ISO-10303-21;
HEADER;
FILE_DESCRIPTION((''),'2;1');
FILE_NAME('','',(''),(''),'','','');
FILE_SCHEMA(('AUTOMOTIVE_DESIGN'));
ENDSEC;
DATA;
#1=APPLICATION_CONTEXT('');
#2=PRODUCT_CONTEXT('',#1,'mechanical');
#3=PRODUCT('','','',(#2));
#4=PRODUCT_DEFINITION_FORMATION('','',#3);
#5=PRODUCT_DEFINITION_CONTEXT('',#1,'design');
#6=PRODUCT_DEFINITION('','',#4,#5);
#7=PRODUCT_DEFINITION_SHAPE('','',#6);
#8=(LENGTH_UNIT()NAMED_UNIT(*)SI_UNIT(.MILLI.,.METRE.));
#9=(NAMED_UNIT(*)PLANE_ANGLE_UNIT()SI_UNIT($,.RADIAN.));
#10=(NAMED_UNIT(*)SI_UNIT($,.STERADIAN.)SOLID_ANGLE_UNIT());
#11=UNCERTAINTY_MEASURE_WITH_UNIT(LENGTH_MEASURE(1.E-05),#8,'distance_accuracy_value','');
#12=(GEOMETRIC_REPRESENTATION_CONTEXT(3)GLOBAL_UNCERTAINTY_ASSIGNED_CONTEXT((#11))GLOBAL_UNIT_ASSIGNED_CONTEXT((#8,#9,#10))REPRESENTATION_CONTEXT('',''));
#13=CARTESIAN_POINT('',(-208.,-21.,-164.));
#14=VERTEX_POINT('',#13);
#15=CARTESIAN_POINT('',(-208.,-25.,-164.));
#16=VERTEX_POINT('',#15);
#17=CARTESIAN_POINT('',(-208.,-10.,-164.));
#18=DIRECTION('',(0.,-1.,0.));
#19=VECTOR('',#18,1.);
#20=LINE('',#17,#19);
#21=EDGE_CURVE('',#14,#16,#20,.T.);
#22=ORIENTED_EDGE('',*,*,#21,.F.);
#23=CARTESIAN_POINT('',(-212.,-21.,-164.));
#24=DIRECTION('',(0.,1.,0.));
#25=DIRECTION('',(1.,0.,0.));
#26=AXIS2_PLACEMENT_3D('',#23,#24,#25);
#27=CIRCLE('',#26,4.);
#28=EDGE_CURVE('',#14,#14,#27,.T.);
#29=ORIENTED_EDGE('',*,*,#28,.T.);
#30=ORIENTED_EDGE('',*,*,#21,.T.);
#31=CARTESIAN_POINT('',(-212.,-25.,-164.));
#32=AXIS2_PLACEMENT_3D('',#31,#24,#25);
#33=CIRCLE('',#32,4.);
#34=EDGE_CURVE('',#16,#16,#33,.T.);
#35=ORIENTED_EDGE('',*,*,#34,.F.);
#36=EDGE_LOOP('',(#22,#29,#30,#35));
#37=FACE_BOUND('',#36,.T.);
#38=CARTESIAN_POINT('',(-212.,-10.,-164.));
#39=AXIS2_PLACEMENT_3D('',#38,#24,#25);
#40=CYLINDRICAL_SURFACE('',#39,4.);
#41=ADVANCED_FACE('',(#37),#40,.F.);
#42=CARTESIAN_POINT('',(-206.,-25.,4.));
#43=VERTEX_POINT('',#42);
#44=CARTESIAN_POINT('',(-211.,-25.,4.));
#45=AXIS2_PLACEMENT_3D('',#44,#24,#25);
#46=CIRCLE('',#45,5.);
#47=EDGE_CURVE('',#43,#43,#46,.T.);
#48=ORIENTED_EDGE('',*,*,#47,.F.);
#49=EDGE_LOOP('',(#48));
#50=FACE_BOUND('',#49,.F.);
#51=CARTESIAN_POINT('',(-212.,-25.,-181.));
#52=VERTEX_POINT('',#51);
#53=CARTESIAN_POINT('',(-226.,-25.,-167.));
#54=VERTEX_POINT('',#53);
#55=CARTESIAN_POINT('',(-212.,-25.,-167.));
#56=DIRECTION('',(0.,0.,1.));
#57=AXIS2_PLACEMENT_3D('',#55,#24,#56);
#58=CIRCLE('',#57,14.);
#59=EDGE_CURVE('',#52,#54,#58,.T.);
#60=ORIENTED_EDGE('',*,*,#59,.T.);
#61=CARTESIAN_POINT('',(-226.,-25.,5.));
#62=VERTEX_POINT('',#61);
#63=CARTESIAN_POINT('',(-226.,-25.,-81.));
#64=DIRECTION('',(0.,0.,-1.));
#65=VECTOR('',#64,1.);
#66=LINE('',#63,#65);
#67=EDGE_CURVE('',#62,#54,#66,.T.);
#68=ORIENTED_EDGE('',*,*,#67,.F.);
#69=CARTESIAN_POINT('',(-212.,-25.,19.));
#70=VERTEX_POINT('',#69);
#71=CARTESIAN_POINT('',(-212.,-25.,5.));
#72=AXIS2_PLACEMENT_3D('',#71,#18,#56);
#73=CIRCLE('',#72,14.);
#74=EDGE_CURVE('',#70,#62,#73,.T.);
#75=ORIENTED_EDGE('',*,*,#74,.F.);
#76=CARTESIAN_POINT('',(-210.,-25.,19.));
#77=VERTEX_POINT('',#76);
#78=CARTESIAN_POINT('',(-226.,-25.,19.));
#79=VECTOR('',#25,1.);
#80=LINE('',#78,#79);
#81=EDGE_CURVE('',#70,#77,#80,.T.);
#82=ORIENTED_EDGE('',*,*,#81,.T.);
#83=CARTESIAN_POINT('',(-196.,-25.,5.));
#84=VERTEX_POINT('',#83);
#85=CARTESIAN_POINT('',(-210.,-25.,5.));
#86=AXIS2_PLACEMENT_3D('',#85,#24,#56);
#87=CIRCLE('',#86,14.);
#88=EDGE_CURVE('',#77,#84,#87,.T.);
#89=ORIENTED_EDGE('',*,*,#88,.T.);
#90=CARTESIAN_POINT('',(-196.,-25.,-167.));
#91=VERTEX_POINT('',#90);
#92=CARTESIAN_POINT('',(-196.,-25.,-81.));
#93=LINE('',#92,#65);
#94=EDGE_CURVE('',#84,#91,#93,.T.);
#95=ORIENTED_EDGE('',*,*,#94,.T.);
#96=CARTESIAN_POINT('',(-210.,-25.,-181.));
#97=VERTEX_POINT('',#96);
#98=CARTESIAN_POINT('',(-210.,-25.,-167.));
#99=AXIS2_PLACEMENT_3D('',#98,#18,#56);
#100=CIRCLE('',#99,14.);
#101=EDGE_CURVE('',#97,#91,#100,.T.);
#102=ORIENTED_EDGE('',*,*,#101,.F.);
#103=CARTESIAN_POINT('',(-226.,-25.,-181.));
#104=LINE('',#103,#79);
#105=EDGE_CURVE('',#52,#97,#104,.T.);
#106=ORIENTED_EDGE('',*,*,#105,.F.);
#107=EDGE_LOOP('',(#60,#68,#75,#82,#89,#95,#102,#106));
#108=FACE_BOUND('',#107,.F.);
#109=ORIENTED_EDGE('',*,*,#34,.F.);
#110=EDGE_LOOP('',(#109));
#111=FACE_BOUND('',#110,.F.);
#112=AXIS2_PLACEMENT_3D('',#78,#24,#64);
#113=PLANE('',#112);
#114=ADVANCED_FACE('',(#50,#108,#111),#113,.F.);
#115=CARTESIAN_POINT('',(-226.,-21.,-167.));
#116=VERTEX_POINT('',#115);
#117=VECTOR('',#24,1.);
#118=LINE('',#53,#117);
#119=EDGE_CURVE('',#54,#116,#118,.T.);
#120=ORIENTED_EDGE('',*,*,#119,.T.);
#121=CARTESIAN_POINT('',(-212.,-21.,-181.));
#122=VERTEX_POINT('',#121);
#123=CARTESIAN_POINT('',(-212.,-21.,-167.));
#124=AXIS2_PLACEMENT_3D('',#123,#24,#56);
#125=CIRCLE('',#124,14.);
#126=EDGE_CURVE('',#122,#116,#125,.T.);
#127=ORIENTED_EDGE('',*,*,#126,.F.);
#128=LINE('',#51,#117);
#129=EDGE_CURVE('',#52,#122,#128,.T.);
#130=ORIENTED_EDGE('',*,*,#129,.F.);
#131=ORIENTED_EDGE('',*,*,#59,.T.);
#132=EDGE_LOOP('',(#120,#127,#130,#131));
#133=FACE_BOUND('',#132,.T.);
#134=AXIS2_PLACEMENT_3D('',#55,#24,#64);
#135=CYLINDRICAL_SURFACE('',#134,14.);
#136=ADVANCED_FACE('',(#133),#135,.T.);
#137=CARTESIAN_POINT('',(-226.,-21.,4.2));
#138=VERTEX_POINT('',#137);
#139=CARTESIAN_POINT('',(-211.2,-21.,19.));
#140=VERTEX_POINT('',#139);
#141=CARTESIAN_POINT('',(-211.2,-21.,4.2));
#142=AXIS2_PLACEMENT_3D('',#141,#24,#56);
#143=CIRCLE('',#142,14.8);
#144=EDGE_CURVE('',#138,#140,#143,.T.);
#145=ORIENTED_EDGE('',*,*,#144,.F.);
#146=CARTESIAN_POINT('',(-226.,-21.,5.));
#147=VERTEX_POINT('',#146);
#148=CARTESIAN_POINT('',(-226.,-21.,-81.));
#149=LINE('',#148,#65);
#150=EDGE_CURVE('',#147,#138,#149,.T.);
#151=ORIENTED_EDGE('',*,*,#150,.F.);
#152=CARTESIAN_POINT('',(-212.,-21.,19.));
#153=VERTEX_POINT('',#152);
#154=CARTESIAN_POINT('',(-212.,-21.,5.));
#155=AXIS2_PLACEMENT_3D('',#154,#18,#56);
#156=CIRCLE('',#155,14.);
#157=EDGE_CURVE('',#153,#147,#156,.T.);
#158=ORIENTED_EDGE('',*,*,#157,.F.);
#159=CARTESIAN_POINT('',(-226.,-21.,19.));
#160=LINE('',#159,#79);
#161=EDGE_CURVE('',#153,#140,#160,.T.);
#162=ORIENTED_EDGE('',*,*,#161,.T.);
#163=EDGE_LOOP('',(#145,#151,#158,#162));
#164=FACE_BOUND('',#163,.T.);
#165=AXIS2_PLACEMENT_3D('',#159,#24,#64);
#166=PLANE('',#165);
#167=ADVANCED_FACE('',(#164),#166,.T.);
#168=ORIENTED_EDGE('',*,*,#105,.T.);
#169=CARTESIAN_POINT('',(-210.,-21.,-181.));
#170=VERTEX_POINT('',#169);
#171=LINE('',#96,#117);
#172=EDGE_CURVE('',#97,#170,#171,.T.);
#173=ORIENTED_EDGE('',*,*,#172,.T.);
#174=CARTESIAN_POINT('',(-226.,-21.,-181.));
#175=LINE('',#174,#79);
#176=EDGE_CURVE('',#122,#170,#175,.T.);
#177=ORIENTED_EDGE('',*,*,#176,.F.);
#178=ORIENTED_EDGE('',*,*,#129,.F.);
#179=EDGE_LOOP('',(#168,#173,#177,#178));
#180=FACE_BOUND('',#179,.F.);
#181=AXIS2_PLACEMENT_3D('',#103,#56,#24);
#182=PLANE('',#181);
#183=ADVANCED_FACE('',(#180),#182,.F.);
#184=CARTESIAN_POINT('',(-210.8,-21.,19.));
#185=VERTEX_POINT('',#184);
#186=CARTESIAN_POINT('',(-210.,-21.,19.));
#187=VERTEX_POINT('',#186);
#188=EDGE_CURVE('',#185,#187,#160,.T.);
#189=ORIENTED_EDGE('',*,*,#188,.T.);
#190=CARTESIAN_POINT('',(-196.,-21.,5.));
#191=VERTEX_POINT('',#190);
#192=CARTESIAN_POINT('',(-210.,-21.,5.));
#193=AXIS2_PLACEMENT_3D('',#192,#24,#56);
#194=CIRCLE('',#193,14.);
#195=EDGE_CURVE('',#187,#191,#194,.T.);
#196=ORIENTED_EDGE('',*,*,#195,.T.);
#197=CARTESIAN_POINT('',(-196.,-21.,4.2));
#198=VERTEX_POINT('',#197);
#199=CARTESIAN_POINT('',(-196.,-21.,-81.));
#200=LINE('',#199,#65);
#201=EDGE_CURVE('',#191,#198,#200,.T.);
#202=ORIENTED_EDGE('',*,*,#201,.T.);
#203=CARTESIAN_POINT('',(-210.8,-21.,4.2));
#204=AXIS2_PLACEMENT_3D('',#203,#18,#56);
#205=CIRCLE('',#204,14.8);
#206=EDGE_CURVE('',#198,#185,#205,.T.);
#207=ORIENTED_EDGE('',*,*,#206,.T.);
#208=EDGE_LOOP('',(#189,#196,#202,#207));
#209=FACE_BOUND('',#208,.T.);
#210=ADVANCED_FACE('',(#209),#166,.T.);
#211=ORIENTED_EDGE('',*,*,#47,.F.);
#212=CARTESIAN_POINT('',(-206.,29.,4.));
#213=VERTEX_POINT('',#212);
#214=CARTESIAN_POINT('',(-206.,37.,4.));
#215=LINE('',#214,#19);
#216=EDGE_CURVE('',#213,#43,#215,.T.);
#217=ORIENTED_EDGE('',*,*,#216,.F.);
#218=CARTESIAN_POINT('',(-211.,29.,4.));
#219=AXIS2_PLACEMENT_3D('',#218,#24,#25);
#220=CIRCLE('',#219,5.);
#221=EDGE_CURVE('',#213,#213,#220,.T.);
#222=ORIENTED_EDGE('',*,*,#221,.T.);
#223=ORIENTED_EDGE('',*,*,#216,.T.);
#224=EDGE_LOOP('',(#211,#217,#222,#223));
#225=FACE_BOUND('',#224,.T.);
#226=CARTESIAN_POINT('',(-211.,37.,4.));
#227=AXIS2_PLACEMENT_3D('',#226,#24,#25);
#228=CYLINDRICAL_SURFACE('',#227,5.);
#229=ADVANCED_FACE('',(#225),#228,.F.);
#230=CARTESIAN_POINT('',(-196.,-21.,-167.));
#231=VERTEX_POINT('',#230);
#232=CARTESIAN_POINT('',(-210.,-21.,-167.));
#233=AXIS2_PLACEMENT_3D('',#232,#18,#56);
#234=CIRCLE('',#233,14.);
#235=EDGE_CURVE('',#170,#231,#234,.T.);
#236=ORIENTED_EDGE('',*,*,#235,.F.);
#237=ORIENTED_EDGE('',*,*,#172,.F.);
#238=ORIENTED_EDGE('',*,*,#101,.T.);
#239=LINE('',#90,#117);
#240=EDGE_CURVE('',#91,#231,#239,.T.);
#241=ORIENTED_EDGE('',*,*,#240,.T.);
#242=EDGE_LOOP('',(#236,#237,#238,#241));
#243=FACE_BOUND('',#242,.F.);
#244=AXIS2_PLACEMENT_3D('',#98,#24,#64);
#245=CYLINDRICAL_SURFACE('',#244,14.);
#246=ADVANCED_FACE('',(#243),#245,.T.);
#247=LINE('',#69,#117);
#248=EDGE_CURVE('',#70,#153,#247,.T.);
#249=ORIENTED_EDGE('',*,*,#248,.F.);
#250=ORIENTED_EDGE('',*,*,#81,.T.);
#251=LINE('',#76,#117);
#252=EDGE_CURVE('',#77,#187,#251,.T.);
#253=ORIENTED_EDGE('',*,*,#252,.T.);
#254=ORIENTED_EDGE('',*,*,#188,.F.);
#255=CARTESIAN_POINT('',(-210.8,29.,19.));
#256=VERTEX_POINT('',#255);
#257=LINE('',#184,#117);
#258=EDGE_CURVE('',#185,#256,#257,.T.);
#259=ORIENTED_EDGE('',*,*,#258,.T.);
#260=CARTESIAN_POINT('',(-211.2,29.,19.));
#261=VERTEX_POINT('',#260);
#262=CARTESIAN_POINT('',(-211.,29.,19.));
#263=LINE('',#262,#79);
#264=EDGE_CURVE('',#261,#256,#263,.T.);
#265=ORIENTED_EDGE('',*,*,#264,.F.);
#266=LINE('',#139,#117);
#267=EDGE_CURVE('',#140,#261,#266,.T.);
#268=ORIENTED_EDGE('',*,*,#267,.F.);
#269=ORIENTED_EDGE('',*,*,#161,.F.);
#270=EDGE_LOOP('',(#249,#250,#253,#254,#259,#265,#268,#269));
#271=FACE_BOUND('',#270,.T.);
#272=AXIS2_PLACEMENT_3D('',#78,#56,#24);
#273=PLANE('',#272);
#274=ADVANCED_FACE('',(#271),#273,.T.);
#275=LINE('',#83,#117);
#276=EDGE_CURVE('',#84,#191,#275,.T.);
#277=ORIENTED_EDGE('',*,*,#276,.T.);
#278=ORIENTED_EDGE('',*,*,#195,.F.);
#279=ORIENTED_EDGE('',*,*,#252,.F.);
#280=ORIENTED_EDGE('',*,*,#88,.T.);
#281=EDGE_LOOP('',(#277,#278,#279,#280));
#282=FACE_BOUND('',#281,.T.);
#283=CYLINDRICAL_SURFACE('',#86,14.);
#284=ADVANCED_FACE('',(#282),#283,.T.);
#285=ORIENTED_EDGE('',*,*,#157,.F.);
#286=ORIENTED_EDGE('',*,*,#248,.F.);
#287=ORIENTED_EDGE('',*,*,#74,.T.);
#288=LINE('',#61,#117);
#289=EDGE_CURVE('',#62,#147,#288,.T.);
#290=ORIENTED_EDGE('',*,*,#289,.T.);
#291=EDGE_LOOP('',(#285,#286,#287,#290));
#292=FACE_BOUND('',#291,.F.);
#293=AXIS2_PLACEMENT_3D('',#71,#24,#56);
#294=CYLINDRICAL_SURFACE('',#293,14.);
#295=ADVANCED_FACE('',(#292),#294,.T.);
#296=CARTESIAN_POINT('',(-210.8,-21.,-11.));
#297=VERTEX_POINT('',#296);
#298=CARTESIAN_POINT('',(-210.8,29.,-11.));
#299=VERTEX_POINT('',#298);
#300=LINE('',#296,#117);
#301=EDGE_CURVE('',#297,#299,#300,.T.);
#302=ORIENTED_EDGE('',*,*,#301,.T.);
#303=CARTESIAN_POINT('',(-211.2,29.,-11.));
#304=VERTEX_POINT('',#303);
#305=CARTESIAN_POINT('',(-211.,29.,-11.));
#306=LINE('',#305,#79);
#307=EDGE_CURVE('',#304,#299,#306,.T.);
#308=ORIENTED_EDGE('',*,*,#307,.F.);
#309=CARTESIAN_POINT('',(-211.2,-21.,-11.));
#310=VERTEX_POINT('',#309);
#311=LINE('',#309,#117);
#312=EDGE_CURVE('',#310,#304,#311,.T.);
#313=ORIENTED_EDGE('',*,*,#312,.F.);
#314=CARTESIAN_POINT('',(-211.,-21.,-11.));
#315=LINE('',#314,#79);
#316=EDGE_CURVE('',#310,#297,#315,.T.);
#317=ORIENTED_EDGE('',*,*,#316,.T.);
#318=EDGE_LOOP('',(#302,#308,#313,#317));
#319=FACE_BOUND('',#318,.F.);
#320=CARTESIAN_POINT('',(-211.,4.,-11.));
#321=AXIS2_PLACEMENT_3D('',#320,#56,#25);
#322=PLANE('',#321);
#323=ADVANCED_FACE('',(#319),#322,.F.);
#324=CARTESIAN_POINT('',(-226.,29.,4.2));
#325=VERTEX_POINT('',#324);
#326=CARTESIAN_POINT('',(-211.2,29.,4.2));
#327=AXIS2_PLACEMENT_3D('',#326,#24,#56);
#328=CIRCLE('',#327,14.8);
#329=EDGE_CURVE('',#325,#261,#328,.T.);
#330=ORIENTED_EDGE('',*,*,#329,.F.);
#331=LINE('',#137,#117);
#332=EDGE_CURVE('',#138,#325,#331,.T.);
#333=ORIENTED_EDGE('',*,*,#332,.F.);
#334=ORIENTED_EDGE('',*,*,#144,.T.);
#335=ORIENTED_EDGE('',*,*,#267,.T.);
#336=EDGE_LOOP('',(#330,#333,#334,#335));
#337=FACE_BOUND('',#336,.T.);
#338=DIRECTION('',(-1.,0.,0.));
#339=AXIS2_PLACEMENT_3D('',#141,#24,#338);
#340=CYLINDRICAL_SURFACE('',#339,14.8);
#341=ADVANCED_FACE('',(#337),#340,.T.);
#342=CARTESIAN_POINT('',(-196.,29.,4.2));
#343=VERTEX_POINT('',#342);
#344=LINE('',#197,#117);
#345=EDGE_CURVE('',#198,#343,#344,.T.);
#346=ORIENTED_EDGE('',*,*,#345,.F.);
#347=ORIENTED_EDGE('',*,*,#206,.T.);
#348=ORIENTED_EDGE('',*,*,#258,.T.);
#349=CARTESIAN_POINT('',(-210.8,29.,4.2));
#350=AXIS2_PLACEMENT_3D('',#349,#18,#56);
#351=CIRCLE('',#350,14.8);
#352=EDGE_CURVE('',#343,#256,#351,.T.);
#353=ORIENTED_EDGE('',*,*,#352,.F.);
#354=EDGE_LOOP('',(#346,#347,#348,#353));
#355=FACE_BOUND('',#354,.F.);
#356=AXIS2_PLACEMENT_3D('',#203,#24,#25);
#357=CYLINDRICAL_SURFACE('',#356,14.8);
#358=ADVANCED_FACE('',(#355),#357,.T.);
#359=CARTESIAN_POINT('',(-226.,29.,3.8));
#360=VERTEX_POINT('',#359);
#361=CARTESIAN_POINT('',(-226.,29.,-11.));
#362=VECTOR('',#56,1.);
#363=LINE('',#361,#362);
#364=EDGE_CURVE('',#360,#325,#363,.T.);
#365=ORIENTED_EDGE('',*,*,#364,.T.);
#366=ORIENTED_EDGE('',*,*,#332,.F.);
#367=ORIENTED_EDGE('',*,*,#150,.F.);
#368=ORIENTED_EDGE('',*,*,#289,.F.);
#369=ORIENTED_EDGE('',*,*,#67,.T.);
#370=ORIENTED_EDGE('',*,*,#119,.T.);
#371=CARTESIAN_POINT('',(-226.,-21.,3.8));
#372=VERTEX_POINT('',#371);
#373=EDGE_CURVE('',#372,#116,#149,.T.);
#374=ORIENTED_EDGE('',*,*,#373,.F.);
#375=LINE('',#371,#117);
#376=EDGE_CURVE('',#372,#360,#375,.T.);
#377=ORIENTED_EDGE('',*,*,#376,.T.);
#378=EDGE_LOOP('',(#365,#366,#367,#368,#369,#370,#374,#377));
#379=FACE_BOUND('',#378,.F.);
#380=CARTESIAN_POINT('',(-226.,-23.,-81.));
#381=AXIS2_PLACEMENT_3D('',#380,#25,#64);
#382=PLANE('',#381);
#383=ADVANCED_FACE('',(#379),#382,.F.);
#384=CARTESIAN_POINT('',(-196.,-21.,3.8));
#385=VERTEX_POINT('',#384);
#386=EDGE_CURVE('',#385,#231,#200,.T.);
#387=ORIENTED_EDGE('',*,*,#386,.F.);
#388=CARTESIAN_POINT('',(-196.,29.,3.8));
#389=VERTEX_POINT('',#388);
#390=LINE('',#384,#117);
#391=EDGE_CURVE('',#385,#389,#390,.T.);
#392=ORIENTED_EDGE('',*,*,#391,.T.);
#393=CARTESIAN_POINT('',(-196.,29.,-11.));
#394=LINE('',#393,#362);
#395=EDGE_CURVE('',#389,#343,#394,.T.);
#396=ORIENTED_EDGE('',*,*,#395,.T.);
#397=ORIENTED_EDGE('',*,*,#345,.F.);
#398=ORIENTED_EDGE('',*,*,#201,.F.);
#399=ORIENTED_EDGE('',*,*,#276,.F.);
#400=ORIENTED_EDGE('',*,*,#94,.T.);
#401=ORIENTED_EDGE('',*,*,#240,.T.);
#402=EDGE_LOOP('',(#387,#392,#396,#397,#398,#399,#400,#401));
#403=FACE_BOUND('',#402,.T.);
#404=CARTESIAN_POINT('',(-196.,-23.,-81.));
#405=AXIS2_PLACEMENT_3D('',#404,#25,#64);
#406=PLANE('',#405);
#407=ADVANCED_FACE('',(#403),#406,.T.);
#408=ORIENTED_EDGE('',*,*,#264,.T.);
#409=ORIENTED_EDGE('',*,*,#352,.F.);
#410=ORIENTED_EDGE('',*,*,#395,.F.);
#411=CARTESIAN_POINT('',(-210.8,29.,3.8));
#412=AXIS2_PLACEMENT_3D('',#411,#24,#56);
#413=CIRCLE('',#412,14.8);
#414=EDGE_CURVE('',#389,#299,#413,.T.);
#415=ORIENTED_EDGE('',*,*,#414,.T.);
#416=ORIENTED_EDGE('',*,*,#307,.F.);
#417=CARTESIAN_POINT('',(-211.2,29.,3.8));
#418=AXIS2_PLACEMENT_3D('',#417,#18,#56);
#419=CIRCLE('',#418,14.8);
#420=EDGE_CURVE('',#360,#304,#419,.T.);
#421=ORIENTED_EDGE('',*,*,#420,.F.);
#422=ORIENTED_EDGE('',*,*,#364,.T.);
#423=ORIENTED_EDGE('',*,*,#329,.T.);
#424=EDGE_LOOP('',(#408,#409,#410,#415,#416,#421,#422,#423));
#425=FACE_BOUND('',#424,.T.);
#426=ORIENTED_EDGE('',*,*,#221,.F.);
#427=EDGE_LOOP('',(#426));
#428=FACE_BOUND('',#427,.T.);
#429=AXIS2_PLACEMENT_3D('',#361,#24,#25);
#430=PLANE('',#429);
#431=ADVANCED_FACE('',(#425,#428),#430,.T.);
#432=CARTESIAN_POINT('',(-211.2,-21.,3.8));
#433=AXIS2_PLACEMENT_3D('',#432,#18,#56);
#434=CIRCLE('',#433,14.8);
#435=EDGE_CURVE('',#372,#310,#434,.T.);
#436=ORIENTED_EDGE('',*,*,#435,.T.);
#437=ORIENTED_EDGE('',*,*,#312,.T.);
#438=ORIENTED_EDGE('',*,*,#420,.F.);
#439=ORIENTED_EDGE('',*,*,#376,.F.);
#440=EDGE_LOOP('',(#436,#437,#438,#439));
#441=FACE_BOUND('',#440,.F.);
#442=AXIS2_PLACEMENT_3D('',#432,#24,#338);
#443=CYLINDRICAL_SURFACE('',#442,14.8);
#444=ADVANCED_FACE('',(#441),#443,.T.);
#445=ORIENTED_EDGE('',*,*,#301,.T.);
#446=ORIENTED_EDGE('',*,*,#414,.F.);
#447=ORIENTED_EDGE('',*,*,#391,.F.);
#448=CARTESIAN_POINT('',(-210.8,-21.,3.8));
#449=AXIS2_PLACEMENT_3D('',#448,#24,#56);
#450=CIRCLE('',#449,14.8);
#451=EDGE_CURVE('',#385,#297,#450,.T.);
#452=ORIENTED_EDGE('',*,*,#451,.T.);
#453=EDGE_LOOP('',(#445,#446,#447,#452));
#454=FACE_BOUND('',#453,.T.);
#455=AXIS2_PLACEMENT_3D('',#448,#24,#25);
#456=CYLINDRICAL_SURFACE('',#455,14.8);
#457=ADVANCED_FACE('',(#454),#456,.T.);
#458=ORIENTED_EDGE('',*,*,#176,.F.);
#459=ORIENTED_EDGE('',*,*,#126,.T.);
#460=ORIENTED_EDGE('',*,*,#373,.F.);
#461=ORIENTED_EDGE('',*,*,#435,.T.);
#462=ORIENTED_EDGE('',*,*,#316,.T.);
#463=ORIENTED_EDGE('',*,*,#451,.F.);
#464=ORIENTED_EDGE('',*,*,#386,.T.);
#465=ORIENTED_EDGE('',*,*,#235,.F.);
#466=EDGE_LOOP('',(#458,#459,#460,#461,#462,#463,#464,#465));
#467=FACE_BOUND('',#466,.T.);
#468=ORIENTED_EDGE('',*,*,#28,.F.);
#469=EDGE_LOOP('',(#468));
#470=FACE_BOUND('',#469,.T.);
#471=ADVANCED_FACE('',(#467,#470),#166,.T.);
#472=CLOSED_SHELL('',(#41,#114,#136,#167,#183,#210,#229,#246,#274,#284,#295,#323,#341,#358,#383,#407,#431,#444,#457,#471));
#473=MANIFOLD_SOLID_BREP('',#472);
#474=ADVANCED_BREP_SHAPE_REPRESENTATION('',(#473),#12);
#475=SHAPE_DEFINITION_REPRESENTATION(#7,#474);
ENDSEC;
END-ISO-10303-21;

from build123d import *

# Parameters (mm, degrees)
CYLINDER015_R          = 4
CYLINDER015_DEPTH      = 20
CYLINDER015_ROLL_ANGLE = 90
CYLINDER011_R          = 5
CYLINDER011_DEPTH      = 70
CYLINDER011_ROLL_ANGLE = 90
BOX015_W               = 30
BOX015_H               = 50
BOX015_DEPTH           = 30
FILLET011_R            = 14.8
BOX014_W               = 200
BOX014_H               = 4
BOX014_DEPTH           = 30
BOX014_PITCH_ANGLE     = 90
FILLET010_R            = 14


with BuildPart() as cylindre015:
    # Cylinder015 → Cylinder015 (new body)
    with BuildSketch(Plane.XY):
        Circle(CYLINDER015_R)
    extrude(amount=CYLINDER015_DEPTH)


with BuildPart() as cylindre015_1:
    # Cylinder015 roll: moved
    add(cylindre015.part.rotate(Axis((0, 0, 0), (1, 0, 0)), CYLINDER015_ROLL_ANGLE))


with BuildPart() as cylindre015_2:
    # Cylinder015 placement: moved
    add(cylindre015_1.part.moved(Location((-212, -10, -164))))


with BuildPart() as cylindre011:
    # Cylinder011 → Cylinder011 (new body)
    with BuildSketch(Plane.XY):
        Circle(CYLINDER011_R)
    extrude(amount=CYLINDER011_DEPTH)


with BuildPart() as cylindre011_1:
    # Cylinder011 roll: moved
    add(cylindre011.part.rotate(Axis((0, 0, 0), (1, 0, 0)), CYLINDER011_ROLL_ANGLE))


with BuildPart() as cylindre011_2:
    # Cylinder011 placement: moved
    add(cylindre011_1.part.moved(Location((-210, 37, 4))))


with BuildPart() as fillet011:
    # Box015 → Box015 (new body)
    with BuildSketch(Plane(origin=(-225, -21, -11), x_dir=(1, 0, 0), z_dir=(0, 0, 1))):
        with Locations((15, 25)):
            Rectangle(BOX015_W, BOX015_H)
    extrude(amount=BOX015_DEPTH)

    # Fillet011
    fillet011_edges = [fillet011.edges().sort_by_distance(p)[0] for p in [
        (-225, 4, 19),
        (-225, 4, -11),
        (-195, 4, 19),
        (-195, 4, -11),
    ]]
    fillet(fillet011_edges, radius=FILLET011_R)


with BuildPart() as cut020:
    # Box014 → Box014 (new body)
    with BuildSketch(Plane.XY):
        with Locations((100, 2)):
            Rectangle(BOX014_W, BOX014_H)
    extrude(amount=BOX014_DEPTH)


with BuildPart() as cut020_1:
    # Box014 pitch: moved
    add(cut020.part.rotate(Axis((0, 0, 0), (0, 1, 0)), BOX014_PITCH_ANGLE))


with BuildPart() as cut020_2:
    # Box014 placement: moved
    add(cut020_1.part.moved(Location((-225, -25, 18))))

    # Fillet010
    fillet010_edges = [cut020_2.edges().sort_by_distance(p)[0] for p in [
        (-195, -23, 18),
        (-225, -23, 18),
        (-195, -23, -182),
        (-225, -23, -182),
    ]]
    fillet(fillet010_edges, radius=FILLET010_R)


with BuildPart() as cut020_3:
    # Fillet010 placement: moved
    add(cut020_2.part.moved(Location((0, 0, 1))))

    # Fusion009: union Fillet011
    add(fillet011.part)

    # Cut016: cut Cylindre011
    add(cylindre011_2.part, mode=Mode.SUBTRACT)


with BuildPart() as cut020_4:
    # Cut016 placement: moved
    add(cut020_3.part.moved(Location((-1, 0, 0))))

    # Cut020: cut Cylindre015
    add(cylindre015_2.part, mode=Mode.SUBTRACT)


solid = cut020_4.part
